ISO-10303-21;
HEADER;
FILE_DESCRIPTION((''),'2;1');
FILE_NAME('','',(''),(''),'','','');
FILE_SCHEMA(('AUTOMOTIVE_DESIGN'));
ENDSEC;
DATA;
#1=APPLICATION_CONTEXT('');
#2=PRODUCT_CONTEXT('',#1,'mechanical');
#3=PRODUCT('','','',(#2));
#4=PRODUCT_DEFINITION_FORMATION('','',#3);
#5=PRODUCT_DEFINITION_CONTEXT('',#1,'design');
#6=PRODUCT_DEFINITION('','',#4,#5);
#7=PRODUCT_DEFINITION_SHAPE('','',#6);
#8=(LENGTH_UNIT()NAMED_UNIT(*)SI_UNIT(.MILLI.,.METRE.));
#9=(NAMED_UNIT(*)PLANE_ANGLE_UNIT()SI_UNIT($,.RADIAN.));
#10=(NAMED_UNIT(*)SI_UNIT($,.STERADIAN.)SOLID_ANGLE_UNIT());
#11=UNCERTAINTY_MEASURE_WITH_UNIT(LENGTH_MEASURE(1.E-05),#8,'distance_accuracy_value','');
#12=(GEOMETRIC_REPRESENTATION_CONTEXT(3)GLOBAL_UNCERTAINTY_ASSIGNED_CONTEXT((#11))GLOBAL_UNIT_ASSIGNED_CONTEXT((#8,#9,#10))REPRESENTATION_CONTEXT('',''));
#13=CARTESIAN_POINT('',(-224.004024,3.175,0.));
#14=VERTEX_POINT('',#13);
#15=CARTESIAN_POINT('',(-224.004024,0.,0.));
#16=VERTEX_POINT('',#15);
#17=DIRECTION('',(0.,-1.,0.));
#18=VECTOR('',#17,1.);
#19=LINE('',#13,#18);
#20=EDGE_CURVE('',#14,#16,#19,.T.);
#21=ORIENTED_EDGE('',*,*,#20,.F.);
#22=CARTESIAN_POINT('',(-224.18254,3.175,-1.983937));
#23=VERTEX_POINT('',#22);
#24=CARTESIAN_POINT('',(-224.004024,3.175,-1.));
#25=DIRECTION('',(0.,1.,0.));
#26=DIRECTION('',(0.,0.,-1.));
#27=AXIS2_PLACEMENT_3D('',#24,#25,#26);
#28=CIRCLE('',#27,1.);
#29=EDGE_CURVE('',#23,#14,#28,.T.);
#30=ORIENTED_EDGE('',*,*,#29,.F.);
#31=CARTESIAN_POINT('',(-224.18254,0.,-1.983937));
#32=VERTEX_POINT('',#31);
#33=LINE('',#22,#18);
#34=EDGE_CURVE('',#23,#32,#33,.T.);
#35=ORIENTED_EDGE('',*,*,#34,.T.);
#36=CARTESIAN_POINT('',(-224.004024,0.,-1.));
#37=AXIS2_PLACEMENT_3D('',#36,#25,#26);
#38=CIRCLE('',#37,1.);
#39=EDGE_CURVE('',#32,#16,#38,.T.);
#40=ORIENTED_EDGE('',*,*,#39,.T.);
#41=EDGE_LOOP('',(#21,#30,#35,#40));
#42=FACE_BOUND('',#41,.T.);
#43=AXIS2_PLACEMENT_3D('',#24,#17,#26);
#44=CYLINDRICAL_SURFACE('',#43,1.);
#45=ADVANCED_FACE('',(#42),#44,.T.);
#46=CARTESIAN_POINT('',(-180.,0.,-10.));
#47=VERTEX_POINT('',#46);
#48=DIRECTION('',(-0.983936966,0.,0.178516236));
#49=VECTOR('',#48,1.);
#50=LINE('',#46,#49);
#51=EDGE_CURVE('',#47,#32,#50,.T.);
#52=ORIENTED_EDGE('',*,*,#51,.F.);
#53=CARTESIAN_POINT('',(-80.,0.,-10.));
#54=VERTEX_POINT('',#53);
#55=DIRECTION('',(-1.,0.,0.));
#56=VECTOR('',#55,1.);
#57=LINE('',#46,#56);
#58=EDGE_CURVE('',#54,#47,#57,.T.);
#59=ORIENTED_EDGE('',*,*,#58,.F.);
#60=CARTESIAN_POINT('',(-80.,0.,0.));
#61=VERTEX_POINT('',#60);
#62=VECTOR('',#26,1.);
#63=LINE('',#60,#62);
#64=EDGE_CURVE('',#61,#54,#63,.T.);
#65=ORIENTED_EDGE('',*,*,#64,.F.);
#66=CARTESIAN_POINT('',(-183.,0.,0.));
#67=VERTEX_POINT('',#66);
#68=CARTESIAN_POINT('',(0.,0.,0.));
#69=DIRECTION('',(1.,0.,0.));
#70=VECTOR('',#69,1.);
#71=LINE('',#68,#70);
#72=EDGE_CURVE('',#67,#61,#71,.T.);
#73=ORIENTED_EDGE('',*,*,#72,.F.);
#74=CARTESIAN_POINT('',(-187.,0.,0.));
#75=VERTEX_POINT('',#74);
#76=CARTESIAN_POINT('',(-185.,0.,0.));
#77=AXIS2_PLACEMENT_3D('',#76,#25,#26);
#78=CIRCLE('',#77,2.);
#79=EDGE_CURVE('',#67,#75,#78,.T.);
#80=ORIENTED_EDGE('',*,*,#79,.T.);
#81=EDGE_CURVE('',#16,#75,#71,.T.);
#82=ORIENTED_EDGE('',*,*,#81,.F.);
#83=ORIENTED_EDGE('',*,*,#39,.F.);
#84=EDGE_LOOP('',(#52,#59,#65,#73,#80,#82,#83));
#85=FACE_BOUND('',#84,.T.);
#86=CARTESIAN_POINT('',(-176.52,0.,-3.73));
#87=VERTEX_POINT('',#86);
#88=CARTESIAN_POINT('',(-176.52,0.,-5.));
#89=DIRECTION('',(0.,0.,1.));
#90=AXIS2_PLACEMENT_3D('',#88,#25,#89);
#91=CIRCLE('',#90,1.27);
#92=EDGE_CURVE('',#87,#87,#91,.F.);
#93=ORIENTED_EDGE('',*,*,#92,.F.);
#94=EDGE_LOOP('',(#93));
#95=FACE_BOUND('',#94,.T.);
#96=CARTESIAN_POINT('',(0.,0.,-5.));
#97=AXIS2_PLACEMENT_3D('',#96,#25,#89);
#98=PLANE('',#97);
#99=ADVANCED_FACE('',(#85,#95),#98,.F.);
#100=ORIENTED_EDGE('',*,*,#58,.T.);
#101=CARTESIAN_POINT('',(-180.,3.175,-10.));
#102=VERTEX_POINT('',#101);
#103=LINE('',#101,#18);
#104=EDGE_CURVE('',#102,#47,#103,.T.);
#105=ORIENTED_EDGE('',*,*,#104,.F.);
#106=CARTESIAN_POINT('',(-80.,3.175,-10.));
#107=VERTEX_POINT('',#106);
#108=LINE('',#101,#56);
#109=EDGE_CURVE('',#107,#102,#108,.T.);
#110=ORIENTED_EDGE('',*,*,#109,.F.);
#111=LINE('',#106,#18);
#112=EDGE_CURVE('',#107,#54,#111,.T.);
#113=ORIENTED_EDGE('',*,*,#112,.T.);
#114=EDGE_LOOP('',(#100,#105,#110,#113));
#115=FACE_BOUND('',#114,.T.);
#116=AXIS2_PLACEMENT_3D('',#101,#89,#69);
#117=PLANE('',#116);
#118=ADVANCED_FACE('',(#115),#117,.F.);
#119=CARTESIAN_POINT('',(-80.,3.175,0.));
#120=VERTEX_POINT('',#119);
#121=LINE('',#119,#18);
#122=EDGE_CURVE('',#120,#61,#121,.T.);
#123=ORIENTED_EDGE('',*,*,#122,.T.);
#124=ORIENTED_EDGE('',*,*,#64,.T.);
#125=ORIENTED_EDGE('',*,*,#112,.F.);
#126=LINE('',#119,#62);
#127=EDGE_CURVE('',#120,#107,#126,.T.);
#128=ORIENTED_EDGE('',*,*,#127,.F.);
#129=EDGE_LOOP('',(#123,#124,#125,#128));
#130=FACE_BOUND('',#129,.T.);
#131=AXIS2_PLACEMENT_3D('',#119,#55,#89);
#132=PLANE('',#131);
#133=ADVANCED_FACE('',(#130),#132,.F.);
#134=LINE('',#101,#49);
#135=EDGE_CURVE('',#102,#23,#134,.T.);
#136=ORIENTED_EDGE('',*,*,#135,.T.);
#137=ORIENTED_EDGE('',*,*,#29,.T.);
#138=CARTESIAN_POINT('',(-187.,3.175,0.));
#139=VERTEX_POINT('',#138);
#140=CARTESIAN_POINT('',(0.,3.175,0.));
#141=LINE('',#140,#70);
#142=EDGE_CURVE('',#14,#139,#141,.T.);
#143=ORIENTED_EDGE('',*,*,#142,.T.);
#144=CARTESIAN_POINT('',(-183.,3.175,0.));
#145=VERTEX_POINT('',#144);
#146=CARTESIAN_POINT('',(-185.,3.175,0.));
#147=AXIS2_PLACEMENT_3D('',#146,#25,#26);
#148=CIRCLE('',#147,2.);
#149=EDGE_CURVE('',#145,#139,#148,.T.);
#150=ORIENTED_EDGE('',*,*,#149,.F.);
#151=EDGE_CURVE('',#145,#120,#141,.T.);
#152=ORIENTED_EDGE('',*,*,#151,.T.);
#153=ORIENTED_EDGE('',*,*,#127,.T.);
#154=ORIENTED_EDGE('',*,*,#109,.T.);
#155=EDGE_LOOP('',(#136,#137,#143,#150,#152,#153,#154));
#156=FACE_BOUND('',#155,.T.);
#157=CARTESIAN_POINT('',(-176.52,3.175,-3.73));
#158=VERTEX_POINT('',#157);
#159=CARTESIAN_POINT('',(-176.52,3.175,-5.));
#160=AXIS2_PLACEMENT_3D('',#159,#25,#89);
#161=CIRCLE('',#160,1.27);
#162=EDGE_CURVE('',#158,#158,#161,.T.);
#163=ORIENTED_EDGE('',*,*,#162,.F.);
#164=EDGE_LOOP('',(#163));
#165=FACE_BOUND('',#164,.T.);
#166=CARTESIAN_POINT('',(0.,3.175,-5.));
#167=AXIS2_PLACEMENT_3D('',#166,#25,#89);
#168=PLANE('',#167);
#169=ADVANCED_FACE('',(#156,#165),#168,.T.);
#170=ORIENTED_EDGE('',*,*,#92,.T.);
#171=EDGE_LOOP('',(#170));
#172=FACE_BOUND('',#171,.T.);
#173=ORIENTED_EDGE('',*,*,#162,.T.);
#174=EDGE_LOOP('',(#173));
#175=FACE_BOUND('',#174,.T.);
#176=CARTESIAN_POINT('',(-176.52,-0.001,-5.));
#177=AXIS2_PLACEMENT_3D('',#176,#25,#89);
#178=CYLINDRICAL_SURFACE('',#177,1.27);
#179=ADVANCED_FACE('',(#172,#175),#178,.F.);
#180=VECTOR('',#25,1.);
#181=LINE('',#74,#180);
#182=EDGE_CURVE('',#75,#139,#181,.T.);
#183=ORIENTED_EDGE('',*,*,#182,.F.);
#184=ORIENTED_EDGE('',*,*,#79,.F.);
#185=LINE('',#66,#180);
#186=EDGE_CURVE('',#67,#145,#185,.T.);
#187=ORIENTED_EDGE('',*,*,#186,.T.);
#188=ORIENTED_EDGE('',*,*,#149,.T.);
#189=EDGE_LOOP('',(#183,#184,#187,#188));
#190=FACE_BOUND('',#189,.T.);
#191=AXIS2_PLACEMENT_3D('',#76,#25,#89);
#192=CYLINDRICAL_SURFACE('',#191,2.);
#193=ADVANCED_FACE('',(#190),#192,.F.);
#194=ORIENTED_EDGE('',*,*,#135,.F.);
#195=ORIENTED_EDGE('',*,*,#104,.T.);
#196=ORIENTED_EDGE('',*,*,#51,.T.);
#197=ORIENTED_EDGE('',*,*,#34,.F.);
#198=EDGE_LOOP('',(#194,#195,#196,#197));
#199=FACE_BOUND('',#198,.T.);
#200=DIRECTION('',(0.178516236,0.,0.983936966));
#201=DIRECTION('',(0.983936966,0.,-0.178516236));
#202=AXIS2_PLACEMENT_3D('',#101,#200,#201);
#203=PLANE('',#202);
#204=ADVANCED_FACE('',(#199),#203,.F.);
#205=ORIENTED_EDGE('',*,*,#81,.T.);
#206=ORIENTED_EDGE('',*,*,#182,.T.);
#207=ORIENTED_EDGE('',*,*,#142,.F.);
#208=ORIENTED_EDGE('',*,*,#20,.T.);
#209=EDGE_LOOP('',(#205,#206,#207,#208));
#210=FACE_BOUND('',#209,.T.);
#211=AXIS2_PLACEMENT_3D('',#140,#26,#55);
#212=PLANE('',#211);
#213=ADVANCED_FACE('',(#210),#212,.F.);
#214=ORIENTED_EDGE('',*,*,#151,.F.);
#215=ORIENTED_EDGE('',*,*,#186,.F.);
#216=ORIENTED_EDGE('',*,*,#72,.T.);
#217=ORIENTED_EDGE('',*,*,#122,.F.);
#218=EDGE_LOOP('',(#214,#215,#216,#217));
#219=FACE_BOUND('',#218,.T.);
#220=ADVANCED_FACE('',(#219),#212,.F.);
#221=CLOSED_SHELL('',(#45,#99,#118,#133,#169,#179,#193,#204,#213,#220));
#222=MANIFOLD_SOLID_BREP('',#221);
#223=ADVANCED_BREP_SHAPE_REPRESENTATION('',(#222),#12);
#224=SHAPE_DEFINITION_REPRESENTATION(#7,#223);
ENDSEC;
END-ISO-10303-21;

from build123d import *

# Parameters (mm, degrees)
BOSS_EXTRUDE1_DEPTH = 3.175
CUT_EXTRUDE1_REACH  = 227.249
SKETCH2_R           = 1.27
CUT_EXTRUDE2_DEPTH  = 226.248510263
SKETCH4_W           = 85
SKETCH4_H           = 10
CUT_EXTRUDE3_DEPTH  = 226.248510263


with BuildPart() as part:
    # Sketch1 → Boss-Extrude1 (new body)
    with BuildSketch(Plane(origin=(0, 0, 0), x_dir=(1, 0, 0), z_dir=(0, 1, 0))):
        with BuildLine():
            Line((0, 0), (-224.004023854, 0))
            ThreePointArc((-224.004023854, 0), (-225, 0.910381269), (-224.18254009, 1.983936966))
            Line((-224.18254009, 1.983936966), (-180, 10))
            Line((-180, 10), (0, 10))
            ThreePointArc((0, 10), (5, 5), (0, 0))
        make_face()
    extrude(amount=BOSS_EXTRUDE1_DEPTH)

    # Sketch2 → Cut-Extrude1 (cut, up to next)
    with BuildSketch(Plane(origin=(0, 3.175, 0), x_dir=(1, 0, 0), z_dir=(0, 1, 0)), mode=Mode.PRIVATE) as cut_extrude1_sk1:
        with Locations(Location((-50, 5, 0), (0, 0, 270))):
            Circle(SKETCH2_R)
    cut_extrude1_tool1 = extrude(cut_extrude1_sk1.sketch, amount=-CUT_EXTRUDE1_REACH, mode=Mode.PRIVATE) & part.part
    # Sketch2 → Cut-Extrude1 (cut, up to next)
    with BuildSketch(Plane(origin=(0, 3.175, 0), x_dir=(1, 0, 0), z_dir=(0, 1, 0)), mode=Mode.PRIVATE) as cut_extrude1_sk2:
        with Locations(Location((0, 5, 0), (0, 0, 270))):
            Circle(SKETCH2_R)
    cut_extrude1_tool2 = extrude(cut_extrude1_sk2.sketch, amount=-CUT_EXTRUDE1_REACH, mode=Mode.PRIVATE) & part.part
    # Sketch2 → Cut-Extrude1 (cut, up to next)
    with BuildSketch(Plane(origin=(0, 3.175, 0), x_dir=(1, 0, 0), z_dir=(0, 1, 0)), mode=Mode.PRIVATE) as cut_extrude1_sk3:
        with Locations(Location((-176.52, 5, 0), (0, 0, 270))):
            Circle(SKETCH2_R)
    cut_extrude1_tool3 = extrude(cut_extrude1_sk3.sketch, amount=-CUT_EXTRUDE1_REACH, mode=Mode.PRIVATE) & part.part
    add(cut_extrude1_tool1.solids().sort_by_distance((-50, 3.175, -5))[0], mode=Mode.SUBTRACT)
    add(cut_extrude1_tool2.solids().sort_by_distance((0, 3.175, -5))[0], mode=Mode.SUBTRACT)
    add(cut_extrude1_tool3.solids().sort_by_distance((-176.52, 3.175, -5))[0], mode=Mode.SUBTRACT)

    # Sketch3 → Cut-Extrude2 (cut, through all)
    with BuildSketch(Plane(origin=(0, 3.175, 0), x_dir=(1, 0, 0), z_dir=(0, 1, 0))):
        with BuildLine():
            Line((-187, 0), (-183, 0))
            ThreePointArc((-183, 0), (-185, 2), (-187, 0))
        make_face()
    extrude(amount=-CUT_EXTRUDE2_DEPTH, mode=Mode.SUBTRACT)

    # Sketch4 → Cut-Extrude3 (cut, through all)
    with BuildSketch(Plane.XZ):
        with Locations((-37.5, -5)):
            Rectangle(SKETCH4_W, SKETCH4_H)
    extrude(amount=-CUT_EXTRUDE3_DEPTH, mode=Mode.SUBTRACT)


solid = part.part
